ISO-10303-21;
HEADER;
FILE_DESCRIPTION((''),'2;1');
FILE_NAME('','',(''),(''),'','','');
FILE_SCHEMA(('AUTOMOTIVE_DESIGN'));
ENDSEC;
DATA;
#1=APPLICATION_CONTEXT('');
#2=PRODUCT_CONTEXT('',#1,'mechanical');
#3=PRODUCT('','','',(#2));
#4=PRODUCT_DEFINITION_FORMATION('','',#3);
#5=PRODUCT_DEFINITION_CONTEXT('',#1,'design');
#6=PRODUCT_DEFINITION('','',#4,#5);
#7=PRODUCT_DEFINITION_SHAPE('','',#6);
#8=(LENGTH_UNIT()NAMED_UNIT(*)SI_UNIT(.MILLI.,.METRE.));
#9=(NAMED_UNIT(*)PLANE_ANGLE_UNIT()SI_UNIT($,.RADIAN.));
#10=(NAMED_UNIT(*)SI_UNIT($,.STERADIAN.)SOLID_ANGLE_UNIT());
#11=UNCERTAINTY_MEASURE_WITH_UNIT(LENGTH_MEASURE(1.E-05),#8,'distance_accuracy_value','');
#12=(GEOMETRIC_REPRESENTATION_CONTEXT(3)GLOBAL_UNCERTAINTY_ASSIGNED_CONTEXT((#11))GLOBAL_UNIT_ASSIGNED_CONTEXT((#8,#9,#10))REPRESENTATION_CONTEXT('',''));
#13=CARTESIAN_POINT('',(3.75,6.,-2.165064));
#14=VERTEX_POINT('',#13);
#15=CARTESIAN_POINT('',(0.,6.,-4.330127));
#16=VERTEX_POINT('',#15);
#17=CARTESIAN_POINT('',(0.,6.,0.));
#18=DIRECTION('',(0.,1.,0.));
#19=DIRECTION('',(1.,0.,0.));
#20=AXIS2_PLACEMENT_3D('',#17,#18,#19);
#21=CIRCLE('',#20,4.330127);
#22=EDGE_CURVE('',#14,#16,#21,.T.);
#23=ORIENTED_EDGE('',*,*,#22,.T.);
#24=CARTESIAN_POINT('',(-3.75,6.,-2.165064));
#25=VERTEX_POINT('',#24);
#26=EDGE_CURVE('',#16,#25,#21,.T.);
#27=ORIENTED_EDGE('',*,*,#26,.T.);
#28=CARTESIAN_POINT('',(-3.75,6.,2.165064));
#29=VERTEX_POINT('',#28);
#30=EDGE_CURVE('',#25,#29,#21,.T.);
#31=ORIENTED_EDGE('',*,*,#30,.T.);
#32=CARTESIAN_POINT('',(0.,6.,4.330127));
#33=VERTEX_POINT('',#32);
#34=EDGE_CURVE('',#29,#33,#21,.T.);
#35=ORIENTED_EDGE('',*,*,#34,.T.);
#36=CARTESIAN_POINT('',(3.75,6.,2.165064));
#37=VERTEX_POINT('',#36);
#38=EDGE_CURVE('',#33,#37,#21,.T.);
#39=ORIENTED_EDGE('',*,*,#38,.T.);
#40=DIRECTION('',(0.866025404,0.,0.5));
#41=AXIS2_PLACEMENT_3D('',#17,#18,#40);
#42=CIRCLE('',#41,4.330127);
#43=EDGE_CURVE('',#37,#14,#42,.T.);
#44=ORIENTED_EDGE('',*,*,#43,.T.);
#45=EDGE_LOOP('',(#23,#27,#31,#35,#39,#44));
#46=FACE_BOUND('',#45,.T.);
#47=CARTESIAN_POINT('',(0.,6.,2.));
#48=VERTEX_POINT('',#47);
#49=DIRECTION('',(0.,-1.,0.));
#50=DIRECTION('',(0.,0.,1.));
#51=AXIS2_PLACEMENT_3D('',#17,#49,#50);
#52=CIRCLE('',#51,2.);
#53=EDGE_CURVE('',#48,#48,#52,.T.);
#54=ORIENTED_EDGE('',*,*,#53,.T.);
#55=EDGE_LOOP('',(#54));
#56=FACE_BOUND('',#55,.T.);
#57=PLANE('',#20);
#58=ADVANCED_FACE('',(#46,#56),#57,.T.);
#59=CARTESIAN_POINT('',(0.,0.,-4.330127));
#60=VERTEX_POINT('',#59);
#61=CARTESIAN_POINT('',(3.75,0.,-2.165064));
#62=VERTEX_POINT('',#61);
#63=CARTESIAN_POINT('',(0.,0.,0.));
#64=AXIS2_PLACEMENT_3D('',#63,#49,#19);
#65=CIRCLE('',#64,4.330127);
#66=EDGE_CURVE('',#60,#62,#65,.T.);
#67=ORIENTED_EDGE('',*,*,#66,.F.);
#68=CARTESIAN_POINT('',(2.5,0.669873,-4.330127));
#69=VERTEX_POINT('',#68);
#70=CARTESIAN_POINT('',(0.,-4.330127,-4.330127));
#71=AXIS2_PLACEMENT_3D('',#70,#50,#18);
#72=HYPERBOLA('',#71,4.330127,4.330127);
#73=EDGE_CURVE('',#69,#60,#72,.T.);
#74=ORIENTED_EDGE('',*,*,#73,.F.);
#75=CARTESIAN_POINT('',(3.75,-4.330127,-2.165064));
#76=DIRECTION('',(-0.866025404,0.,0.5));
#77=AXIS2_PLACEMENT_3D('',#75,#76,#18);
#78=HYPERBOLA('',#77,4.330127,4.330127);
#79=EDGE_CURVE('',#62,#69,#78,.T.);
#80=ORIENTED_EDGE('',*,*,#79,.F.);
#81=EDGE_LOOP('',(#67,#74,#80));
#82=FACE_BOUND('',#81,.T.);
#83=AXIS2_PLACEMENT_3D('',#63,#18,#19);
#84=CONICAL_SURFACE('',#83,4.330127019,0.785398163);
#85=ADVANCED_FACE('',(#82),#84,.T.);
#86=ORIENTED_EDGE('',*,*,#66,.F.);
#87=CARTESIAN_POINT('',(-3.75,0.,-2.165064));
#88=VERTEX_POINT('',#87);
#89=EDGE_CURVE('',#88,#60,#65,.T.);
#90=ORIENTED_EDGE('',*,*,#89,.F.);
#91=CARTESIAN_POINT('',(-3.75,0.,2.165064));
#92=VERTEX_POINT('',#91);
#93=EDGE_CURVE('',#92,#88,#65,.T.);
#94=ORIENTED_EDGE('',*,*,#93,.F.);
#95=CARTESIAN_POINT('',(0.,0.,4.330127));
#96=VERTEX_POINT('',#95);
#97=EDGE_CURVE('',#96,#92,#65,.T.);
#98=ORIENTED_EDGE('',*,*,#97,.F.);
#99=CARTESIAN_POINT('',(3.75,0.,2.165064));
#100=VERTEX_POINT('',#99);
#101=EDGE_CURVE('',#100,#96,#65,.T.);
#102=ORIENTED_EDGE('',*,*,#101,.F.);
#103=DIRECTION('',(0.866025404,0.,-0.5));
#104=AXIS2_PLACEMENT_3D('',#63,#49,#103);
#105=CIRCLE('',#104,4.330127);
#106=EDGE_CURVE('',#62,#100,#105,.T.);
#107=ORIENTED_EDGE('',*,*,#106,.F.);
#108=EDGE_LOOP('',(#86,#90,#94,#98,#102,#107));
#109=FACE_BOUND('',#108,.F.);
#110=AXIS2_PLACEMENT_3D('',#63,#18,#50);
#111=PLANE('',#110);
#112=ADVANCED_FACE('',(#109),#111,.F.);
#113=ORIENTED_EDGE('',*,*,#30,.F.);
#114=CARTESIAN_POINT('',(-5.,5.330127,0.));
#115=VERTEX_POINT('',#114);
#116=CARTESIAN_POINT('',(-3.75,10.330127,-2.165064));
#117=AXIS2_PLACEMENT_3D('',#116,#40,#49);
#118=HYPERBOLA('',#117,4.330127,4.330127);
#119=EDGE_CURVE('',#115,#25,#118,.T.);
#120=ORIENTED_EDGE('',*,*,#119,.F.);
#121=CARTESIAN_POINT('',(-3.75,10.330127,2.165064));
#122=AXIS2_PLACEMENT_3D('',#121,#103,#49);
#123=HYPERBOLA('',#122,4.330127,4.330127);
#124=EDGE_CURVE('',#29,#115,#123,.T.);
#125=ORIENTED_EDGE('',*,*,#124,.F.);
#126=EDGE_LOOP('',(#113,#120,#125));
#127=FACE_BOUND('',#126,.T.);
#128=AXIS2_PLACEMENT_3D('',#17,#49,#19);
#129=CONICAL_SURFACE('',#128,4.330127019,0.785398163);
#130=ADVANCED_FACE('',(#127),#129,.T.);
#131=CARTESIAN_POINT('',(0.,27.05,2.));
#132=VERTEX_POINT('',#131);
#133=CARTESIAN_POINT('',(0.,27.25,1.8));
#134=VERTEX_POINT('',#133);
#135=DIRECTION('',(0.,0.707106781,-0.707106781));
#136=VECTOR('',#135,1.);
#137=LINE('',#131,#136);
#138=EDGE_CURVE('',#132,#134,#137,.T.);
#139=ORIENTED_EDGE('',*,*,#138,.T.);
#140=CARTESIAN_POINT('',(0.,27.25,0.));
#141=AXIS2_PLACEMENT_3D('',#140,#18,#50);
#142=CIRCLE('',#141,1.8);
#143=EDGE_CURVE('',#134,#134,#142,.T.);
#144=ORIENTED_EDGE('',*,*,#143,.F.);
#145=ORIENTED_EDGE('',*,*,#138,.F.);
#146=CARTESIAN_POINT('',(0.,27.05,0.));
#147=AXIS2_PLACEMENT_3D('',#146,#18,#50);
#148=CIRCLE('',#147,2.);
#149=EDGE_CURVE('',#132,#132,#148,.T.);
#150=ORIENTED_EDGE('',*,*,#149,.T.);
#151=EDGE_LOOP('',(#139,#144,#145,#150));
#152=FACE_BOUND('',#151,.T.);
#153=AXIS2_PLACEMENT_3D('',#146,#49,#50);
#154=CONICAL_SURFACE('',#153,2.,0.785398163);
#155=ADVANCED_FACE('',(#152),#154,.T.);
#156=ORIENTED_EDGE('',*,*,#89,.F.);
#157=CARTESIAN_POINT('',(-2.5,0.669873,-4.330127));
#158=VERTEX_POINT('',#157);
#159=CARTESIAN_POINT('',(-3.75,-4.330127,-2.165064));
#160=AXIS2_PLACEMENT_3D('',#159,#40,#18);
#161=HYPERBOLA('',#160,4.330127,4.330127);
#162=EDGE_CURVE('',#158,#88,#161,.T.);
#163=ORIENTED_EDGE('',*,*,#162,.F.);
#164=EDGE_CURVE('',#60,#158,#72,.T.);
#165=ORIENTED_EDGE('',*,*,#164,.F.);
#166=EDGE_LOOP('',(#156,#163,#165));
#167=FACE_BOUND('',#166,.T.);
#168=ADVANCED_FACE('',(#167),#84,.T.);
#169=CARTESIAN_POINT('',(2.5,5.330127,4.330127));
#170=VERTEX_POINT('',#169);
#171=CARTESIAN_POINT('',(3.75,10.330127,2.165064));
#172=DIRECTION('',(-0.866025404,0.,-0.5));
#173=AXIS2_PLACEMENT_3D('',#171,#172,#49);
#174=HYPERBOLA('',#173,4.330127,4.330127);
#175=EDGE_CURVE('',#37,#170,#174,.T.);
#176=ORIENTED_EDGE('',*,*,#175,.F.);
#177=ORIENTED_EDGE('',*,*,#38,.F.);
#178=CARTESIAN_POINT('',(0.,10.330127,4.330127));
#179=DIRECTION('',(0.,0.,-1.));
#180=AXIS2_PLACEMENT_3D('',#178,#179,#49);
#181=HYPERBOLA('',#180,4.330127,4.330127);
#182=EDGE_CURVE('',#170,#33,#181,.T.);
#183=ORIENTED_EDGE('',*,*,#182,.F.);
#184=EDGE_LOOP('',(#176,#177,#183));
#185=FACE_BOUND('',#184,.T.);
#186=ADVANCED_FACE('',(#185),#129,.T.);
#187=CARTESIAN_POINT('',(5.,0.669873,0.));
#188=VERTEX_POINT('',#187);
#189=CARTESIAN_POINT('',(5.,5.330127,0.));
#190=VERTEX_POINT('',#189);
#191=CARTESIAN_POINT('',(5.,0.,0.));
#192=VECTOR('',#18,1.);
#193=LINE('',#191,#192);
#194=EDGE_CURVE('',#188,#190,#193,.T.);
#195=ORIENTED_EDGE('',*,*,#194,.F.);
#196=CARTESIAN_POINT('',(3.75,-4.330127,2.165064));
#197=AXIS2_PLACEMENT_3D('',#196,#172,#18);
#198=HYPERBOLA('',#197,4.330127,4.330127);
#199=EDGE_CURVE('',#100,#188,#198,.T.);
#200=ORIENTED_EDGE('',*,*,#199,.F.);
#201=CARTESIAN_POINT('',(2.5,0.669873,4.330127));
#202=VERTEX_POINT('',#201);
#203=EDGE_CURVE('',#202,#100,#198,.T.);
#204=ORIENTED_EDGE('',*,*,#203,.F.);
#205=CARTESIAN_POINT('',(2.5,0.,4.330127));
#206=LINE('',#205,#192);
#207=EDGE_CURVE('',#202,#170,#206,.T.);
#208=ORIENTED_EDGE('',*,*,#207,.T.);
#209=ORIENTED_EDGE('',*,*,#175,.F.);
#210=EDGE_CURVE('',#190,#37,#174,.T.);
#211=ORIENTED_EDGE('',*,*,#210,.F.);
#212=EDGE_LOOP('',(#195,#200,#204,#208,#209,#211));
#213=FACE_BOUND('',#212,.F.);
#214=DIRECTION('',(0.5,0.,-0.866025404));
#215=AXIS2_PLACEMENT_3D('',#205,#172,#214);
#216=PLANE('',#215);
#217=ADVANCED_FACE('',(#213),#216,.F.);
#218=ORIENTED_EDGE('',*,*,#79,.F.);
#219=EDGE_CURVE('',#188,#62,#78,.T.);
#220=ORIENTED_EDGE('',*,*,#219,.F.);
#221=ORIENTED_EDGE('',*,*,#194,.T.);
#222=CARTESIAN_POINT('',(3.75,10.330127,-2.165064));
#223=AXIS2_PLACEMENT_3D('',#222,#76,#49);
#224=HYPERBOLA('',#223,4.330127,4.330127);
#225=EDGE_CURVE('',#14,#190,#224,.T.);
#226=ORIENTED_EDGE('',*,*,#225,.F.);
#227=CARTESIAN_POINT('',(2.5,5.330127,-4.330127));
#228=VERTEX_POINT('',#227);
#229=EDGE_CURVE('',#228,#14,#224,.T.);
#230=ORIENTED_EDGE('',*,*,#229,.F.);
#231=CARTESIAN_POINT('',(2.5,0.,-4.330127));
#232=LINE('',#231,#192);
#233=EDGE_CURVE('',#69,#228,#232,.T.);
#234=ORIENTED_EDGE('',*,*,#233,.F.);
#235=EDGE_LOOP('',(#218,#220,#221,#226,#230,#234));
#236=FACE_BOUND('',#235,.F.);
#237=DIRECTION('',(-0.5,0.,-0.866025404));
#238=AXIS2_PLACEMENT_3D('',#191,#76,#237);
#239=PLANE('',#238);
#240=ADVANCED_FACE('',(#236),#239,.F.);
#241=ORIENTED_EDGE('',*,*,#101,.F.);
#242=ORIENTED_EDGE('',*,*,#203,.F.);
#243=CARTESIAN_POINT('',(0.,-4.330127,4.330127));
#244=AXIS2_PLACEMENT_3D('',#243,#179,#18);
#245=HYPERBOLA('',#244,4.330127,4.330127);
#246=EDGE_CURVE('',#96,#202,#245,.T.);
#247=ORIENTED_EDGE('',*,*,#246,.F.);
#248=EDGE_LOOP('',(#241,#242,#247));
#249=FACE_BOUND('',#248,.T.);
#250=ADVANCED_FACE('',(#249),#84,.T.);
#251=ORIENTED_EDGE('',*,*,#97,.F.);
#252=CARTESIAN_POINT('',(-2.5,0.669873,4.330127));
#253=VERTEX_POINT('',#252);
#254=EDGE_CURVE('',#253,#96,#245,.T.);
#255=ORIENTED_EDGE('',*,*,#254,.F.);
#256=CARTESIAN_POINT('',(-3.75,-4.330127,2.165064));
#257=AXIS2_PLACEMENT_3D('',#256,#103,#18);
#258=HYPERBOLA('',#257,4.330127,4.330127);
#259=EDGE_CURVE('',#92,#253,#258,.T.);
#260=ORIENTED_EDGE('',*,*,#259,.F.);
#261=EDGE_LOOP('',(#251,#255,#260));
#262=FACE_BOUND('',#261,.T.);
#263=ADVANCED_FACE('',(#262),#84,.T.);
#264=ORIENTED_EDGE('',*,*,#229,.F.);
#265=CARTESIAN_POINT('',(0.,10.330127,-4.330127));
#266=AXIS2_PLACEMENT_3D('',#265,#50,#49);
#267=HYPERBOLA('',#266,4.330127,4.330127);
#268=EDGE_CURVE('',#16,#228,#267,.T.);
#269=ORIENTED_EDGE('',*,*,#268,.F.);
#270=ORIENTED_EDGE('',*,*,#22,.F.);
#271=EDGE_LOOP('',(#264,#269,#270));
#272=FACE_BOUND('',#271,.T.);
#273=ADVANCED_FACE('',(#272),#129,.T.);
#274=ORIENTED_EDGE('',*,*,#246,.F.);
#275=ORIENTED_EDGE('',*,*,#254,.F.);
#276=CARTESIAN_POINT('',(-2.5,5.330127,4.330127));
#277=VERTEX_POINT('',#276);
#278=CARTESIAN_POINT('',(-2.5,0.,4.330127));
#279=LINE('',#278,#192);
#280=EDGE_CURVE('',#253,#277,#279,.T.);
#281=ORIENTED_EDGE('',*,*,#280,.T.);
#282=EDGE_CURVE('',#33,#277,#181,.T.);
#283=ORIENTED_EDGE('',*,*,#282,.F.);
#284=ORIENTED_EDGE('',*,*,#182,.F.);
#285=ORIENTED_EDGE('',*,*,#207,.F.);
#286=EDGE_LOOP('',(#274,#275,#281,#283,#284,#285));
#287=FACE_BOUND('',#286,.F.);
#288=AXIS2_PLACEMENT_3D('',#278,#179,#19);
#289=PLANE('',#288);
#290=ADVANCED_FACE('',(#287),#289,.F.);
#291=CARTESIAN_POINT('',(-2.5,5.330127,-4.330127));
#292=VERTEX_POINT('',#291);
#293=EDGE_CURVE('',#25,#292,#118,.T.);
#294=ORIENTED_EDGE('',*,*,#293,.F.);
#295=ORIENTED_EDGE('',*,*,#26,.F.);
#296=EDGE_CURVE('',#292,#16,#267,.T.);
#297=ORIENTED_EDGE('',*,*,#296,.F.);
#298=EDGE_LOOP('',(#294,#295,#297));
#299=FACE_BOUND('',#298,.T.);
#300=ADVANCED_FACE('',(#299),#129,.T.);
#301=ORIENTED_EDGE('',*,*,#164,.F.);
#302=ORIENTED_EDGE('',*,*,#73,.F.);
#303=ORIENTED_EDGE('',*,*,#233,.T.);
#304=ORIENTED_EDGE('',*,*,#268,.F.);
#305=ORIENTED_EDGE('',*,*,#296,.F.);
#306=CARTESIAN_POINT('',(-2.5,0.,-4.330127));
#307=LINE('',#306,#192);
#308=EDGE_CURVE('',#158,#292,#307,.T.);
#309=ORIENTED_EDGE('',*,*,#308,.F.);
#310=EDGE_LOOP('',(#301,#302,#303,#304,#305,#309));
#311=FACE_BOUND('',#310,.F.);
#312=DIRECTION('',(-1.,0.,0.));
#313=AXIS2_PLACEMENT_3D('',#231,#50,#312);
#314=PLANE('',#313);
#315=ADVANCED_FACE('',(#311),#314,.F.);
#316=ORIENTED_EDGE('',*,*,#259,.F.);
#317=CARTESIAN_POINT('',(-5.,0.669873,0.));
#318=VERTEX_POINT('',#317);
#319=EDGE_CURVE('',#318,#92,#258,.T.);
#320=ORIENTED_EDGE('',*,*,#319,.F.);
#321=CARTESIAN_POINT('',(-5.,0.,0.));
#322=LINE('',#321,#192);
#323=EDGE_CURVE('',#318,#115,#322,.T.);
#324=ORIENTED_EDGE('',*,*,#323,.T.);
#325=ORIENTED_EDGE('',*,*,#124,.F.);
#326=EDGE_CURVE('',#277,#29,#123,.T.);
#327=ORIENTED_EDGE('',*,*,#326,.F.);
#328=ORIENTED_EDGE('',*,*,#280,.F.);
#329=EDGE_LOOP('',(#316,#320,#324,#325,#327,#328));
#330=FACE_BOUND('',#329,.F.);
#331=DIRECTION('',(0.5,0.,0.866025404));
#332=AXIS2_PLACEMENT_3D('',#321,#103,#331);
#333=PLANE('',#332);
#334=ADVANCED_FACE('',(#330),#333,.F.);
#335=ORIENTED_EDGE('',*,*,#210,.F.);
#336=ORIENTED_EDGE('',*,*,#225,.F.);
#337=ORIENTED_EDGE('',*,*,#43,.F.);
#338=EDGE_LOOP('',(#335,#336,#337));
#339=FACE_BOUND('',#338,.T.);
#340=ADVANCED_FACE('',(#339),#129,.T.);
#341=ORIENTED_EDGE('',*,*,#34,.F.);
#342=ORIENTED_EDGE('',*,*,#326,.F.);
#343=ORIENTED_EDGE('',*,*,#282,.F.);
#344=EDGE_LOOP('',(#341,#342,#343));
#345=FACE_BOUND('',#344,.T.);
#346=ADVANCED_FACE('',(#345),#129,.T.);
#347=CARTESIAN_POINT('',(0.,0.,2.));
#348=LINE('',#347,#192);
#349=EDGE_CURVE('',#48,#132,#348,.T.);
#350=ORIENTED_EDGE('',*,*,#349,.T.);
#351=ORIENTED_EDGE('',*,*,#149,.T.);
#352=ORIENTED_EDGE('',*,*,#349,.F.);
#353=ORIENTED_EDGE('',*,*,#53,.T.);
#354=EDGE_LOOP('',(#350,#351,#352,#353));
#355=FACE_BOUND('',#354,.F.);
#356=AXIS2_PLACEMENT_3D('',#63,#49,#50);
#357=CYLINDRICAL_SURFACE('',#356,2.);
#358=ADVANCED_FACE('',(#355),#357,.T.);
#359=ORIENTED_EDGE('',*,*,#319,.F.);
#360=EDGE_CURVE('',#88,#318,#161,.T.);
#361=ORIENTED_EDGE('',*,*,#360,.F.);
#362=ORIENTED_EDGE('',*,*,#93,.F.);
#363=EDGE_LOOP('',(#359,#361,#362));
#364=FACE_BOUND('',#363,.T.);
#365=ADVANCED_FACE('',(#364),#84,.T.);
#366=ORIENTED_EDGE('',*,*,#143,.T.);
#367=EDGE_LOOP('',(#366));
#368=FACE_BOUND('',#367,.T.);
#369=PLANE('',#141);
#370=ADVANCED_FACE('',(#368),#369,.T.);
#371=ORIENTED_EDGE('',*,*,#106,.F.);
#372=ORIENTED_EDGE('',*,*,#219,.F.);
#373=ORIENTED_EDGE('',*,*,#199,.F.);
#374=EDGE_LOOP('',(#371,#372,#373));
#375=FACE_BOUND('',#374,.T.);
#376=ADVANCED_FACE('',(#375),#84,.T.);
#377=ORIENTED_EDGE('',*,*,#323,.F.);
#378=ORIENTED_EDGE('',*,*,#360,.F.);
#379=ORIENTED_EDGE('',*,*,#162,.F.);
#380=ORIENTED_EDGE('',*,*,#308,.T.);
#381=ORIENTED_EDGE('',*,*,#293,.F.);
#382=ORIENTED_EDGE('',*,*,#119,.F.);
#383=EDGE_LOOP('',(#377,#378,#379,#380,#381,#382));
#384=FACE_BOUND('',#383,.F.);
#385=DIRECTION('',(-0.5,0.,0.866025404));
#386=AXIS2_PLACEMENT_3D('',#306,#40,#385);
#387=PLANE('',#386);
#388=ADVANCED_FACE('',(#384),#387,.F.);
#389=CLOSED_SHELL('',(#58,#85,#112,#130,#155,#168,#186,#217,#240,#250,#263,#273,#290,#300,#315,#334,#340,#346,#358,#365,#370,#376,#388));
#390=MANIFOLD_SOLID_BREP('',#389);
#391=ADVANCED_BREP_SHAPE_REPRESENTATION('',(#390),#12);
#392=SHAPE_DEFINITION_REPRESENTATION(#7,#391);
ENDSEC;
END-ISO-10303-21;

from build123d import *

# Parameters (mm, degrees)
BOSS_EXTRUDE1_DEPTH = 6
SKETCH1_3_R         = 2
BOSS_EXTRUDE2_DEPTH = 27.25
SKETCH2_OUTSIDE_W   = 76.14
SKETCH2_OUTSIDE_H   = 74.8
SKETCH2_OUTSIDE_R   = 4.330127019
CUT_EXTRUDE5_DEPTH  = 29.041264237
CUT_EXTRUDE5_DRAFT  = -45
CHAMFER1_SIZE       = 0.2
SKETCH3_OUTSIDE_W   = 64.57
SKETCH3_OUTSIDE_H   = 63.23
SKETCH3_OUTSIDE_R   = 4.330127019
CUT_EXTRUDE6_DEPTH  = 23.255617268
CUT_EXTRUDE6_DRAFT  = -45


with BuildPart() as part:
    # Sketch1 → Boss-Extrude1 (new body)
    with BuildSketch(Plane(origin=(0, 0, 0), x_dir=(1, 0, 0), z_dir=(0, 1, 0))):
        Polygon((-2.5, -4.330127019), (2.5, -4.330127019), (5, 0), (2.5, 4.330127019), (-2.5, 4.330127019), (-5, 0), align=None)
    extrude(amount=BOSS_EXTRUDE1_DEPTH)

    # Sketch1<3> → Boss-Extrude2 (add)
    with BuildSketch(Plane(origin=(0, 0, 0), x_dir=(1, 0, 0), z_dir=(0, 1, 0))):
        Circle(SKETCH1_3_R)
    extrude(amount=BOSS_EXTRUDE2_DEPTH)


with BuildPart() as cut_extrude5_tool:
    # Sketch2 outside → Cut-Extrude5 (with draft: the straight prism first)
    with BuildSketch(Plane.XZ):
        Rectangle(SKETCH2_OUTSIDE_W, SKETCH2_OUTSIDE_H)
        Circle(SKETCH2_OUTSIDE_R, mode=Mode.SUBTRACT)
    extrude(amount=-CUT_EXTRUDE5_DEPTH)
    # Cut-Extrude5: the draft: its side faces are tilted about the plane it starts from
    cut_extrude5_sides = [cut_extrude5_tool.faces().sort_by_distance(p)[0] for p in [
        (0, 14.520632118, -37.4),
        (38.07, 14.520632118, 0),
        (0, 14.520632118, 37.4),
        (-38.07, 14.520632118, 0),
        (-4.330127019, 14.520632118, 0),
    ]]
    draft(cut_extrude5_sides, Plane.XZ, CUT_EXTRUDE5_DRAFT)


with BuildPart() as part_1:
    add(part.part)

    # Cut-Extrude5: cut by cut_extrude5_tool
    add(cut_extrude5_tool.part, mode=Mode.SUBTRACT)

    # Chamfer1
    chamfer1_edges = [part_1.edges().sort_by_distance(p)[0] for p in [
        (-2, 27.25, 0),
    ]]
    chamfer(chamfer1_edges, length=CHAMFER1_SIZE)


with BuildPart() as cut_extrude6_tool:
    # Sketch3 outside → Cut-Extrude6 (with draft: the straight prism first)
    with BuildSketch(Plane(origin=(0, 6, 0), x_dir=(1, 0, 0), z_dir=(0, 1, 0))):
        Rectangle(SKETCH3_OUTSIDE_W, SKETCH3_OUTSIDE_H)
        Circle(SKETCH3_OUTSIDE_R, mode=Mode.SUBTRACT)
    extrude(amount=-CUT_EXTRUDE6_DEPTH)
    # Cut-Extrude6: the draft: its side faces are tilted about the plane it starts from
    cut_extrude6_sides = [cut_extrude6_tool.faces().sort_by_distance(p)[0] for p in [
        (0, -5.627808634, 31.615),
        (32.285, -5.627808634, 0),
        (0, -5.627808634, -31.615),
        (-32.285, -5.627808634, 0),
        (-4.330127019, -5.627808634, 0),
    ]]
    draft(cut_extrude6_sides, Plane(origin=(0, 6, 0), x_dir=(1, 0, 0), z_dir=(0, 1, 0)), CUT_EXTRUDE6_DRAFT)


with BuildPart() as part_2:
    add(part_1.part)

    # Cut-Extrude6: cut by cut_extrude6_tool
    add(cut_extrude6_tool.part, mode=Mode.SUBTRACT)


solid = part_2.part
